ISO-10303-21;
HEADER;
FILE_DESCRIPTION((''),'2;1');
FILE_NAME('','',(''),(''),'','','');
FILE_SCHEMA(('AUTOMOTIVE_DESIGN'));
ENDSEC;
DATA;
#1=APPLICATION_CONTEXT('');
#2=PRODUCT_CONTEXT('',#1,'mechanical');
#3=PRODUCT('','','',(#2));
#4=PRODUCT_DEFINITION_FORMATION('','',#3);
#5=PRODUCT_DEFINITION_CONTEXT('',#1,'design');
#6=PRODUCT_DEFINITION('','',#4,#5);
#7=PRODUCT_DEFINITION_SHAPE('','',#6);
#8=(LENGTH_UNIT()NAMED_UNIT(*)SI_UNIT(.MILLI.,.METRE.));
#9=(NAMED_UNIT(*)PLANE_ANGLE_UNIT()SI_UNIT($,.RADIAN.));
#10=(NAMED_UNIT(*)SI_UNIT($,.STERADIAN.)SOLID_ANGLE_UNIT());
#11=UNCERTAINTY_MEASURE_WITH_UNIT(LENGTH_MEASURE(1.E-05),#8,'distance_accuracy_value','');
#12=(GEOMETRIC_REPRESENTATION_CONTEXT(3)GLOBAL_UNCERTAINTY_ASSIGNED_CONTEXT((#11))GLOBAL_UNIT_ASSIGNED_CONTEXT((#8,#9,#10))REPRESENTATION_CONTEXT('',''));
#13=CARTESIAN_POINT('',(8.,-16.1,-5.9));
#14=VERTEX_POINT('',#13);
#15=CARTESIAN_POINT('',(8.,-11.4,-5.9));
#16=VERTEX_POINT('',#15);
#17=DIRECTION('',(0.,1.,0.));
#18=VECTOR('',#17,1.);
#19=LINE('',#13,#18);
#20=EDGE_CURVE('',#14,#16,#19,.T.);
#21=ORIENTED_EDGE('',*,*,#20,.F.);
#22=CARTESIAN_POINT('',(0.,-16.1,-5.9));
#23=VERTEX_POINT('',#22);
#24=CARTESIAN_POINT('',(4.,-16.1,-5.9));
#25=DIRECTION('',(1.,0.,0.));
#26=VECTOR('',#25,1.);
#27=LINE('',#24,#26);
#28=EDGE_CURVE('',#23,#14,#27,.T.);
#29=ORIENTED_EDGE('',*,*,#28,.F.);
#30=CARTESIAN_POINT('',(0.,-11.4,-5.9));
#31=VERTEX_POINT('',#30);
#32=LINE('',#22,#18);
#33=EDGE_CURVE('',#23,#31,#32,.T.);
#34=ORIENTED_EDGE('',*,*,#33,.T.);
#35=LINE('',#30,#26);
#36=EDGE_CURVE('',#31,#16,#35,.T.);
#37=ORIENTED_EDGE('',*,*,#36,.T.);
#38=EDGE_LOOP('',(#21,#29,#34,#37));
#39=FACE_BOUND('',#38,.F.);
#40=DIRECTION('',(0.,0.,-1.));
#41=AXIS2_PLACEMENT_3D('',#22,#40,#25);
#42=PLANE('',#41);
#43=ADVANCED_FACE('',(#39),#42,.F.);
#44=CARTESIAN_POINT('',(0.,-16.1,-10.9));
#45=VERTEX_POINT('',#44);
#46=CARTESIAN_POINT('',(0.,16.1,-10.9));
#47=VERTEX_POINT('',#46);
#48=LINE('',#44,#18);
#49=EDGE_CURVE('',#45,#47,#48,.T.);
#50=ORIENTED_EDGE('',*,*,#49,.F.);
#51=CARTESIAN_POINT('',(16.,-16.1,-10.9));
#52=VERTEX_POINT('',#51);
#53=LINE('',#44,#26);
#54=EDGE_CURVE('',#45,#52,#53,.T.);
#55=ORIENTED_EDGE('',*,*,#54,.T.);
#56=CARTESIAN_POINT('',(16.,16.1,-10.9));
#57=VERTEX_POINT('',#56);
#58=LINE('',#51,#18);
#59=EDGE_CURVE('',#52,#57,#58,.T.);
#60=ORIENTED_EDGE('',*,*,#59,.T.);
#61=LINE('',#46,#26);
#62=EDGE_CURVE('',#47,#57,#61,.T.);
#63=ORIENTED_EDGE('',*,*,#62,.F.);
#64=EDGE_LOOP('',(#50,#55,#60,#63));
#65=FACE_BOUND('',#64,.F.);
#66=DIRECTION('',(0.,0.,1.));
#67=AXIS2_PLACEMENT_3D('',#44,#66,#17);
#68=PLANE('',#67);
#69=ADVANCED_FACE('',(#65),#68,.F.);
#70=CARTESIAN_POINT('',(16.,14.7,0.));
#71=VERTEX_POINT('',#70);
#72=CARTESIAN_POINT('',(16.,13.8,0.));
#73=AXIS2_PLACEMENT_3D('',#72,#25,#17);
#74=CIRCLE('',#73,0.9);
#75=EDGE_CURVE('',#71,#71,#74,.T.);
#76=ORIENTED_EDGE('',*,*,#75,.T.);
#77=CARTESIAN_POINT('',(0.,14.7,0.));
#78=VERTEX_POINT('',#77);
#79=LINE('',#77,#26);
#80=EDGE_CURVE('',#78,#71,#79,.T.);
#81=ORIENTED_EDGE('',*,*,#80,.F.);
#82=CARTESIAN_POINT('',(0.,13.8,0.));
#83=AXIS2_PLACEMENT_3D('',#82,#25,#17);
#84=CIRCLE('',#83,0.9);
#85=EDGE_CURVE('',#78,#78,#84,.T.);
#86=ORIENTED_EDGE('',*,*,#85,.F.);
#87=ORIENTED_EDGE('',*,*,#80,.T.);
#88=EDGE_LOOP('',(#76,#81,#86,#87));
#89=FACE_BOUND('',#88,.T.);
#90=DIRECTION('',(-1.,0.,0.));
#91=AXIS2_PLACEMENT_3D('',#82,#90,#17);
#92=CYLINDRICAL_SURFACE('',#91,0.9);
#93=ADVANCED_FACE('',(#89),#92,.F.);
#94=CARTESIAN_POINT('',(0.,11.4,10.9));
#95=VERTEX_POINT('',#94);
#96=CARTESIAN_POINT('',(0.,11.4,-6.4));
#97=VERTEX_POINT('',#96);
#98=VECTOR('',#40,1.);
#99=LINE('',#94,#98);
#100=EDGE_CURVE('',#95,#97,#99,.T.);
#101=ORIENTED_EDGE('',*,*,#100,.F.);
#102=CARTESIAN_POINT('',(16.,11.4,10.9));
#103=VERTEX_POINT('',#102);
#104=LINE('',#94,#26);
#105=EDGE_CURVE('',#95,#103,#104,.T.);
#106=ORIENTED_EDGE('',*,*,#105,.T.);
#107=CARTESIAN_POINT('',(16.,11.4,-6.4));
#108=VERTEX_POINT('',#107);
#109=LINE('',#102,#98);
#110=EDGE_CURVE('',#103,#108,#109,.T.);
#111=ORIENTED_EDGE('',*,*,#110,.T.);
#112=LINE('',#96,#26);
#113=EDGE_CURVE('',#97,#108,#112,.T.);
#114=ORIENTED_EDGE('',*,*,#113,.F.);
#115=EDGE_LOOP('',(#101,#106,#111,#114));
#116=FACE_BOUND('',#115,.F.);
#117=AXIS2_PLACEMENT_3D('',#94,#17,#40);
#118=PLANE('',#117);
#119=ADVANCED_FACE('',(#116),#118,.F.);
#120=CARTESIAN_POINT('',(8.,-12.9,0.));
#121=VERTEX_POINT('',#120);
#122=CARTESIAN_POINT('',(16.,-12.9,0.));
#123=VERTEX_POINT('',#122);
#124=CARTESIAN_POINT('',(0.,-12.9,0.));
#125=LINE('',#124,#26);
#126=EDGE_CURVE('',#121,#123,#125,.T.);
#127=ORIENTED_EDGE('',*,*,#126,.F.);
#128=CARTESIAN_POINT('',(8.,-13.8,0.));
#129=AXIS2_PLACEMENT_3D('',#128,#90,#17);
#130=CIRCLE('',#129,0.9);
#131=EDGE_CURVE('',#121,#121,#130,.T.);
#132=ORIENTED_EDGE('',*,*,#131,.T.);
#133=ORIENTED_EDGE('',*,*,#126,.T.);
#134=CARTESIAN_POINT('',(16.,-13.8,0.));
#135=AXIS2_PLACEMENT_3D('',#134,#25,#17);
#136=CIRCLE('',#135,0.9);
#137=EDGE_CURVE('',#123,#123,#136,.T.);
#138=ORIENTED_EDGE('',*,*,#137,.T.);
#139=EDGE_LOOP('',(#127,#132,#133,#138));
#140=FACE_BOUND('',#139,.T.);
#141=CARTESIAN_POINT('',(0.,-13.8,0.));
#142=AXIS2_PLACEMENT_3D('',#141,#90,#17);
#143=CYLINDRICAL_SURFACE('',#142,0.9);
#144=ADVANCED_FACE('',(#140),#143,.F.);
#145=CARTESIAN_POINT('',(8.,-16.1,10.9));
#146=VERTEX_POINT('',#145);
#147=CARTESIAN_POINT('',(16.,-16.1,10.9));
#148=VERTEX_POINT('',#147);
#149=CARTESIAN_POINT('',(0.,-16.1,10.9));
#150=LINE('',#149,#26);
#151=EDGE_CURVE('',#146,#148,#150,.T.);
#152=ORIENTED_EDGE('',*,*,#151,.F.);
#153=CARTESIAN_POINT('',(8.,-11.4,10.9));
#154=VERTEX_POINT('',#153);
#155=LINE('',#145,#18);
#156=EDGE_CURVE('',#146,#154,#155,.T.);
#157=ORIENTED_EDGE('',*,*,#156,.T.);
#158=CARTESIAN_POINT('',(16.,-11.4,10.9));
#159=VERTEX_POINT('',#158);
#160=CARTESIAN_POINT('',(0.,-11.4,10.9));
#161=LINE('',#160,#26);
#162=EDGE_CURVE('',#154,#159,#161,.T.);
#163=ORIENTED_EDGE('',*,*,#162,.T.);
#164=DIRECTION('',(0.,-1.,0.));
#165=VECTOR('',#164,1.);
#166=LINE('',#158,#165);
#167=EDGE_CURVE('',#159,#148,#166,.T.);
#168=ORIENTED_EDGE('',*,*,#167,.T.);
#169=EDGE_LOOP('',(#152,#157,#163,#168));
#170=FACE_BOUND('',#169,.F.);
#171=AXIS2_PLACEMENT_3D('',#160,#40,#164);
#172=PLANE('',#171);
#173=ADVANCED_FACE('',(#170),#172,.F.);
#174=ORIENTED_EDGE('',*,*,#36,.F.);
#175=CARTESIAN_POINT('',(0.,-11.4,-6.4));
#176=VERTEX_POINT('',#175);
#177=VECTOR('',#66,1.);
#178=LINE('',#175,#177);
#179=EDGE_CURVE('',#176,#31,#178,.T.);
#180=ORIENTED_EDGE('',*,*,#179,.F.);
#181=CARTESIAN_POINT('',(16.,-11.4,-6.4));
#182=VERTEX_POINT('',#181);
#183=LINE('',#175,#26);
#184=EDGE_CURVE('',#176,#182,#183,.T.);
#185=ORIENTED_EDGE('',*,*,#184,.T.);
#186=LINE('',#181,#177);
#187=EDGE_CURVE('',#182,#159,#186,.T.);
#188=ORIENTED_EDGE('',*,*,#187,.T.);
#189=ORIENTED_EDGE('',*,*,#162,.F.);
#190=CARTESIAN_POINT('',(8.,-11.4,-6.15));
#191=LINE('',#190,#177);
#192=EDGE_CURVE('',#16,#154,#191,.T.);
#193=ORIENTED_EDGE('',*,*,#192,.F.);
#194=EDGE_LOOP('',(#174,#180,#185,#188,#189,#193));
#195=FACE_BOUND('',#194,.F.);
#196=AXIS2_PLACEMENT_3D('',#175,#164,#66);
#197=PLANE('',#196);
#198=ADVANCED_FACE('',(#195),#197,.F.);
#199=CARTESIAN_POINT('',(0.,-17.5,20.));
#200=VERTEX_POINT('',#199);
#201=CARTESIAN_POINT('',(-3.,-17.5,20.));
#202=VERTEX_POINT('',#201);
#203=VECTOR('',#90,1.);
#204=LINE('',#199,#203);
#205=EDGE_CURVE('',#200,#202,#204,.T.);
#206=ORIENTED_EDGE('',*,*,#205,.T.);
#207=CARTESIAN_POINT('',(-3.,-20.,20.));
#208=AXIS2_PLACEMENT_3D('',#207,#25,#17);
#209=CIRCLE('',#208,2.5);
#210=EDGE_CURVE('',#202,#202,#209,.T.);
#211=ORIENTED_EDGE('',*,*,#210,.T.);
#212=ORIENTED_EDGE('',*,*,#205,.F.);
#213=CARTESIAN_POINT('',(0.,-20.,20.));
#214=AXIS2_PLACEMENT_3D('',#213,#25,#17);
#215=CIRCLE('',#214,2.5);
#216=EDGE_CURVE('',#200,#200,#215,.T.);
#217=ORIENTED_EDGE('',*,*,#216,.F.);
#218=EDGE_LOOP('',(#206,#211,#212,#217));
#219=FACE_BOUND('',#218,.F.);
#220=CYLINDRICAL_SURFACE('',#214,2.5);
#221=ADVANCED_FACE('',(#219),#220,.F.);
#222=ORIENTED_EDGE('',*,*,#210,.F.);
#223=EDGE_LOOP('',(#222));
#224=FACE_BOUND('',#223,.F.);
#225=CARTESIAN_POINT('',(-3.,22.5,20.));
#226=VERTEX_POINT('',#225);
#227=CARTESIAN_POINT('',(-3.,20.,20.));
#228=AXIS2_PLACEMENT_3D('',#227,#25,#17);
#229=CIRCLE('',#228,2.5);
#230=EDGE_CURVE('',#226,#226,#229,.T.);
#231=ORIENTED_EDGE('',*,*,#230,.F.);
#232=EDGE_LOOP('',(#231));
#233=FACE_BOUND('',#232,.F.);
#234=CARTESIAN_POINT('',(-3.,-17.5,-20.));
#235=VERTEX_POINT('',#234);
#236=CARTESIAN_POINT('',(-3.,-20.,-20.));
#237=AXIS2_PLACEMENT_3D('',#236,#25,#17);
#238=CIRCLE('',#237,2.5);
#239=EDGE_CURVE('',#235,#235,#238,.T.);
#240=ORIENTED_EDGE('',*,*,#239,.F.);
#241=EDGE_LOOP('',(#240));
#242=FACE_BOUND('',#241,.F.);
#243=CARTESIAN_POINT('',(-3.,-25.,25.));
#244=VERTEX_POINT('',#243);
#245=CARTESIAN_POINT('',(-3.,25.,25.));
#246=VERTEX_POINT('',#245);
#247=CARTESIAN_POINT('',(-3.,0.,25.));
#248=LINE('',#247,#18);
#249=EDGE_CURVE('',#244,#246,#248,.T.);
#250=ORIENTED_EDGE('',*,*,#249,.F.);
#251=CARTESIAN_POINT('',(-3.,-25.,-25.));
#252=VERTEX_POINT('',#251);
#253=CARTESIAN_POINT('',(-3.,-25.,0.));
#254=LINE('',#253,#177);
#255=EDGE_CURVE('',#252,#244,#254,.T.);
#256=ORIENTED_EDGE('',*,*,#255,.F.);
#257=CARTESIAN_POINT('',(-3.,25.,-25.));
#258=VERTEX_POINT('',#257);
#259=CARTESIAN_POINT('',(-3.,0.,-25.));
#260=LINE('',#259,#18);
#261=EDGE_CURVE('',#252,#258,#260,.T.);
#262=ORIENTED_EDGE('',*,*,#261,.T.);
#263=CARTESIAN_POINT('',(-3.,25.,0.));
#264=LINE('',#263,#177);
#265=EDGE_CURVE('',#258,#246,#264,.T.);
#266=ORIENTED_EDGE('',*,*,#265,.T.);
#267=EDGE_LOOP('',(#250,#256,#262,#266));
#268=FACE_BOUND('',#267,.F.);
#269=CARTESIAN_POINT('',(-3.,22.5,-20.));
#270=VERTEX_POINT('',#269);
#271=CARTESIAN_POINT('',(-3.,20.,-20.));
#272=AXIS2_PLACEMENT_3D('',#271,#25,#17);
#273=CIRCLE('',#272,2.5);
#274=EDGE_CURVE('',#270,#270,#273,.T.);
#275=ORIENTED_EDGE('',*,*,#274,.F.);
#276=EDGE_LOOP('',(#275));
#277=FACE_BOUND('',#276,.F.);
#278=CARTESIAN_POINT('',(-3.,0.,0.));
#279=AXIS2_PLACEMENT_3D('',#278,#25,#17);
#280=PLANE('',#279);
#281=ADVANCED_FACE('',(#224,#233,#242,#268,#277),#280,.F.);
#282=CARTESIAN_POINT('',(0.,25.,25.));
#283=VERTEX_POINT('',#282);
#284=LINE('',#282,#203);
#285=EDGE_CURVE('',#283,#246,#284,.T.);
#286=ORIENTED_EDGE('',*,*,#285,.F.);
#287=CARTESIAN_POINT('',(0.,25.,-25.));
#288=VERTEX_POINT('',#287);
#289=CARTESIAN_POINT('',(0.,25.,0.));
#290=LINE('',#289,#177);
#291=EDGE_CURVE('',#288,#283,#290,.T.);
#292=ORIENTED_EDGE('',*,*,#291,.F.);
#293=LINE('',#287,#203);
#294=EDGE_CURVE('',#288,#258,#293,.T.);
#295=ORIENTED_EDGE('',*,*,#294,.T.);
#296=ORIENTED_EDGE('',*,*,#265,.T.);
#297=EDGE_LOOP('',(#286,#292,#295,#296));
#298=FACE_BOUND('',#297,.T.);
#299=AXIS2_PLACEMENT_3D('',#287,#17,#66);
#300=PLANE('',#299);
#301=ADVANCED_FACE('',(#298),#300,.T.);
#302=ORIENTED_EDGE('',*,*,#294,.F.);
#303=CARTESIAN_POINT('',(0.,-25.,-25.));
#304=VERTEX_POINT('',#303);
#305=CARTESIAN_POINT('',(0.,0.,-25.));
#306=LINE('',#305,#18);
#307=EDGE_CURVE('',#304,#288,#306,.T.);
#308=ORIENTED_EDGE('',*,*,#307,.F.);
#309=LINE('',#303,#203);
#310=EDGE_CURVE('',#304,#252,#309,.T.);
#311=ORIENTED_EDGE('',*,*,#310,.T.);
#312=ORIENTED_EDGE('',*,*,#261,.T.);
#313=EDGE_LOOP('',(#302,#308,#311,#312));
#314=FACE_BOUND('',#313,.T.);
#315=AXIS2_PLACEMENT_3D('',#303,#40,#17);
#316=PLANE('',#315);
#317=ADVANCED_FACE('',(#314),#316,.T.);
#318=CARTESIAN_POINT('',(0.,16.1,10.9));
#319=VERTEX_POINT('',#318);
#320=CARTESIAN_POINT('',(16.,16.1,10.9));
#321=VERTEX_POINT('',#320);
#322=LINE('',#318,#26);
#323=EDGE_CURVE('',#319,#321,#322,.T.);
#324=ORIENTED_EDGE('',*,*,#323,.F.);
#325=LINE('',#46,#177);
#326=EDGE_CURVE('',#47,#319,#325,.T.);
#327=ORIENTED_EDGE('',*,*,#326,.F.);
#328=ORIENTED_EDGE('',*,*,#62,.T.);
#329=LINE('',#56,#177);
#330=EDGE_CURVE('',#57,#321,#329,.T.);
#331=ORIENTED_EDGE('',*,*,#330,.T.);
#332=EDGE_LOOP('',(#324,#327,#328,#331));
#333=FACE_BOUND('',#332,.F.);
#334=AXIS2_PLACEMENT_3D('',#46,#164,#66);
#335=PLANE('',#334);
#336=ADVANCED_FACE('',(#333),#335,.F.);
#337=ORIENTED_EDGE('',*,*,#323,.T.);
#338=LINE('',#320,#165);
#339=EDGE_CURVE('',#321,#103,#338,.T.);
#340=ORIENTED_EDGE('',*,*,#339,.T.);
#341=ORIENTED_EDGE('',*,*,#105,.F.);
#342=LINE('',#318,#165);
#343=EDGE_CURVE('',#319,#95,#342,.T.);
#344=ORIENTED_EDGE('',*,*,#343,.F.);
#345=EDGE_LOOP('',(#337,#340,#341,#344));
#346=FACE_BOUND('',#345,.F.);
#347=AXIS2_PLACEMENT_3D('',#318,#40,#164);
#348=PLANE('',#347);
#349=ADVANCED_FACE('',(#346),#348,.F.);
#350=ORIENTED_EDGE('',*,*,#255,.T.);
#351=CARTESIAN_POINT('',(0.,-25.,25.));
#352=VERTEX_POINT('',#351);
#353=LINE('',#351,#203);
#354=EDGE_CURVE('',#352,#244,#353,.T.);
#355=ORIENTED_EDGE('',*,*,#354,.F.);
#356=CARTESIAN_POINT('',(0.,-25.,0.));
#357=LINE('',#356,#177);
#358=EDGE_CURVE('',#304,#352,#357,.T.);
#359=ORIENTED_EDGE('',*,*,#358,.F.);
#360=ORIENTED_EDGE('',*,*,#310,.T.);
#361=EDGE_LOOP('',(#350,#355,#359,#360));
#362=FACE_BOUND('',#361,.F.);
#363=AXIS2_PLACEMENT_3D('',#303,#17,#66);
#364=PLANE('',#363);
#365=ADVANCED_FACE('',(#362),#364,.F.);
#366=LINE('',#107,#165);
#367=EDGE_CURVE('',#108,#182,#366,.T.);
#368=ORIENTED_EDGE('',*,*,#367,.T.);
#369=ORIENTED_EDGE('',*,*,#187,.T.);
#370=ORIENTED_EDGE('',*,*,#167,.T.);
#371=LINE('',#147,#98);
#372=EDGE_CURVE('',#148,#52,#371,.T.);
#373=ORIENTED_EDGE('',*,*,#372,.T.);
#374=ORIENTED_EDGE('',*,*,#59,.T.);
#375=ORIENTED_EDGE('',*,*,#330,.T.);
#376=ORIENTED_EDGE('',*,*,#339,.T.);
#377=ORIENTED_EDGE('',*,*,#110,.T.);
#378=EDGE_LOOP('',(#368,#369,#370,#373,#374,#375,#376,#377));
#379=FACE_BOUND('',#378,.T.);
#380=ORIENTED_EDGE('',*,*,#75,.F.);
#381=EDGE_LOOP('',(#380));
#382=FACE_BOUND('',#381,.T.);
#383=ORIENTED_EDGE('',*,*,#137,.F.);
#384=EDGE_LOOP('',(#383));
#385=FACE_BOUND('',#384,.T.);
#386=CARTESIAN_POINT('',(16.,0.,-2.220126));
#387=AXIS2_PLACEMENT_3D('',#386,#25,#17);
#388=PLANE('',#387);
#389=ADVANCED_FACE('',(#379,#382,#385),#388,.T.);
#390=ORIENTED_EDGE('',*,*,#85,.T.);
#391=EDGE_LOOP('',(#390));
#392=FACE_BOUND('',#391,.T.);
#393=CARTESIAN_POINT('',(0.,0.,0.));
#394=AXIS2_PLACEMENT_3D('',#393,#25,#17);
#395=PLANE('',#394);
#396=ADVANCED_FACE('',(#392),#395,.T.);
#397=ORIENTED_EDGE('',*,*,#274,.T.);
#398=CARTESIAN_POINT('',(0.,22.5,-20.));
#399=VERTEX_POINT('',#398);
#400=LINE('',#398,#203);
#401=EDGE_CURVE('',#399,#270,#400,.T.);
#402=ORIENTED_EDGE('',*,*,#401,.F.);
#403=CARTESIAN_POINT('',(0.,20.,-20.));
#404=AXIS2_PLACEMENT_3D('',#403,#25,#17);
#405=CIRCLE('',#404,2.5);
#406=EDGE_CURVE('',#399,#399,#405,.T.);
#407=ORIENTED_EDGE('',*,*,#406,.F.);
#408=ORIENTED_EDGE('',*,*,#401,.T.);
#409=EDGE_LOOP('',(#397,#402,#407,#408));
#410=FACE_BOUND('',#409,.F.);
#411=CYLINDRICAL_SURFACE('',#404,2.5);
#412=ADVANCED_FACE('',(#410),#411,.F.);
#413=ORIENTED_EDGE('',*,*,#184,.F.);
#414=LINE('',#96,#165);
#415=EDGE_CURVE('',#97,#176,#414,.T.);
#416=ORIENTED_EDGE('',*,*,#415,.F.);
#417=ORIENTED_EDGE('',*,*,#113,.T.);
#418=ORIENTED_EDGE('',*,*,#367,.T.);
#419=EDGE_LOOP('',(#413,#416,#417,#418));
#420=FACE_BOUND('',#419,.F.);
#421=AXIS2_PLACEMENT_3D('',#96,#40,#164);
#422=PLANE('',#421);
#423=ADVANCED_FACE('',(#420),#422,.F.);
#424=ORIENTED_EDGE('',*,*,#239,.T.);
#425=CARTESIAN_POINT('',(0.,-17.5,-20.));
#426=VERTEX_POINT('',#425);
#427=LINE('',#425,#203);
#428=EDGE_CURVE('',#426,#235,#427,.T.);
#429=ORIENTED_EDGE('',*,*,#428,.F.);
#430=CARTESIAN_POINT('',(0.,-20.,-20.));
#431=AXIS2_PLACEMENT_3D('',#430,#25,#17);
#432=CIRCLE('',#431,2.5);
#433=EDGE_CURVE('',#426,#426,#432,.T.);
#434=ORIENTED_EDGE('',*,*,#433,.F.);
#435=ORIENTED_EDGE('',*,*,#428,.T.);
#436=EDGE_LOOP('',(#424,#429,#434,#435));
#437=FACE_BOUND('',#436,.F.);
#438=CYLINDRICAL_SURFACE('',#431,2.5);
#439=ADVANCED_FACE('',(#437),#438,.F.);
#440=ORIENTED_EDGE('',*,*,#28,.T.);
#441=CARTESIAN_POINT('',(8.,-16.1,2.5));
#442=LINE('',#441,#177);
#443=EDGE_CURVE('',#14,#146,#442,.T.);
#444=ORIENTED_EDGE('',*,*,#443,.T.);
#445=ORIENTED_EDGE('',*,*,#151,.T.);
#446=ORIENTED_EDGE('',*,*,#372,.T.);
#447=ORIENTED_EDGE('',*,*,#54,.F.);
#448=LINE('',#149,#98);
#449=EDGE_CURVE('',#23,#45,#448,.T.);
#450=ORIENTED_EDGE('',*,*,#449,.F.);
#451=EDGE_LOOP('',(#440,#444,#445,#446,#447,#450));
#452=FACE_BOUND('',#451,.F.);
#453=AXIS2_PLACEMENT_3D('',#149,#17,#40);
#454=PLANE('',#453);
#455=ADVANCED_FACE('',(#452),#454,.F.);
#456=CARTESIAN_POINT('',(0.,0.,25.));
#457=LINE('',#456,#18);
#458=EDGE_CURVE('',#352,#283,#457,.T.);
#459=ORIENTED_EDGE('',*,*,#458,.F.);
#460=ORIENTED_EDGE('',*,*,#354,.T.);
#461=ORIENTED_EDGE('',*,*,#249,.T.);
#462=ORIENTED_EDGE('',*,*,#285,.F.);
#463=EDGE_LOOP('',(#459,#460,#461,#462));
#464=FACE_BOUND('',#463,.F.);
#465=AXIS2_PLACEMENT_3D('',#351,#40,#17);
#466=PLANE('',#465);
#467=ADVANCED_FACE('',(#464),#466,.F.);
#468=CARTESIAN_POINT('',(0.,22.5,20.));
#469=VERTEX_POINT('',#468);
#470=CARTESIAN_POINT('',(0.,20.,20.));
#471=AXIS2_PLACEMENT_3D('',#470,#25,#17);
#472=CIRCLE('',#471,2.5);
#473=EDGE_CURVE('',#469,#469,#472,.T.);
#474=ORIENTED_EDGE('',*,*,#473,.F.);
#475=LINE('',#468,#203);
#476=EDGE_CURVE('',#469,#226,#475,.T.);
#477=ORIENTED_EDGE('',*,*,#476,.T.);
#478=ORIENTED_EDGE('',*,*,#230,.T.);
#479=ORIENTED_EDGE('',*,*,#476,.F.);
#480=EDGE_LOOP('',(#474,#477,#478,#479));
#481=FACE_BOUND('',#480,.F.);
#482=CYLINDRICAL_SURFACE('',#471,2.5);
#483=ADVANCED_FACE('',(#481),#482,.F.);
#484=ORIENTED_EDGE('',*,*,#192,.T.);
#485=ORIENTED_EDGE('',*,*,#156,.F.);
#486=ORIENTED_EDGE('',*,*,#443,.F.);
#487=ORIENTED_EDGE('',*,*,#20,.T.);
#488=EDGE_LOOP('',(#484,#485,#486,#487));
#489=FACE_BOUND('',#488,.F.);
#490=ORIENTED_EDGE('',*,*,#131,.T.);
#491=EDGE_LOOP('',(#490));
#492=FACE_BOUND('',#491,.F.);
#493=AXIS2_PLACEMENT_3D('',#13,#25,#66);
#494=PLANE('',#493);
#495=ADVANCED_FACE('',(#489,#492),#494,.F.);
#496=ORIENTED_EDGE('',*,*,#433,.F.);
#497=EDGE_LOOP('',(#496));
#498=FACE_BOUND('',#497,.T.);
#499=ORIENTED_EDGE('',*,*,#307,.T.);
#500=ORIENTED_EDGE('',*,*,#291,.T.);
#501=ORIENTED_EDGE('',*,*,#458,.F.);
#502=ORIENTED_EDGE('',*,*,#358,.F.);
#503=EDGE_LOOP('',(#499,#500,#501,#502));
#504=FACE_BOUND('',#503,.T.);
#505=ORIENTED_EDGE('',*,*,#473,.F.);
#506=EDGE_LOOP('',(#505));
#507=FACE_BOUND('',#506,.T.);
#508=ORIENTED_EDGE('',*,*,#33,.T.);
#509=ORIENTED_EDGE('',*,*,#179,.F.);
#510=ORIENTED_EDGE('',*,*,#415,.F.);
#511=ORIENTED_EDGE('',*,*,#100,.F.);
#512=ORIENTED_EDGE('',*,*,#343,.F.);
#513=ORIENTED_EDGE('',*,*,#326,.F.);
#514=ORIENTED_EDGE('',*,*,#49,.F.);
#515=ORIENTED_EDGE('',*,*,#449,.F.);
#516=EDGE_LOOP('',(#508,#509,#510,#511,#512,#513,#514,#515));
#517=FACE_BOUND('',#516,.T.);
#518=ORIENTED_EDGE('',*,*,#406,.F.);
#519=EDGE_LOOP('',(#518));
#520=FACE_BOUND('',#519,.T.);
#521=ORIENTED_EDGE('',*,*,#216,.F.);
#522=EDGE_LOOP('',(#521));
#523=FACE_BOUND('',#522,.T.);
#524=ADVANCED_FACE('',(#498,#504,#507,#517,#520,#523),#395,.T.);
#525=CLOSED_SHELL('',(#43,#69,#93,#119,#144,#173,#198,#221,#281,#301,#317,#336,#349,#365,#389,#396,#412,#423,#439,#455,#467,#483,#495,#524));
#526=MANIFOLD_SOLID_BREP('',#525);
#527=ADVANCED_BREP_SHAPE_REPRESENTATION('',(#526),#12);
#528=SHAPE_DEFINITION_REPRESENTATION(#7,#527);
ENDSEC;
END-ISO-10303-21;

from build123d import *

# Parameters (mm, degrees)
F0_R     = 0.9
F1_DEPTH = 16
F2_W     = 8
F2_H     = 16.8
F3_DEPTH = 5
F4_W     = 50
F4_H     = 50
F4_R     = 2.5
F5_DEPTH = 3


with BuildPart() as f1:
    # F0 (on Right) → F1 (new body)
    with BuildSketch(Plane.YZ):
        Polygon((-16.1, 10.9), (-16.1, 5.9), (-16.1, -5.9), (-16.1, -10.9), (16.1, -10.9), (16.1, -5.9), (16.1, 5.9), (16.1, 10.9), (11.4, 10.9), (11.4, 5.9), (11.4, -5.9), (11.4, -6.4), (-11.4, -6.4), (-11.4, -5.9), (-11.4, 5.9), (-11.4, 10.9), align=None)
        with Locations((-13.8, 0)):
            Circle(F0_R, mode=Mode.SUBTRACT)
        with Locations((13.8, 0)):
            Circle(F0_R, mode=Mode.SUBTRACT)
    extrude(amount=F1_DEPTH)

    # F2 (on face) → F3 (cut)
    with BuildSketch(Plane.XZ.offset(16.1)):
        with Locations((4, 2.5)):
            Rectangle(F2_W, F2_H)
    extrude(amount=-F3_DEPTH, mode=Mode.SUBTRACT)

    # F4 (on face) → F5 (join)
    with BuildSketch(Plane.YZ):
        Rectangle(F4_W, F4_H)
        with Locations((-20, -20)):
            Circle(F4_R, mode=Mode.SUBTRACT)
        with Locations((20, -20)):
            Circle(F4_R, mode=Mode.SUBTRACT)
        with Locations((-20, 20)):
            Circle(F4_R, mode=Mode.SUBTRACT)
        with Locations((20, 20)):
            Circle(F4_R, mode=Mode.SUBTRACT)
    extrude(amount=-F5_DEPTH)


solid = f1.part
